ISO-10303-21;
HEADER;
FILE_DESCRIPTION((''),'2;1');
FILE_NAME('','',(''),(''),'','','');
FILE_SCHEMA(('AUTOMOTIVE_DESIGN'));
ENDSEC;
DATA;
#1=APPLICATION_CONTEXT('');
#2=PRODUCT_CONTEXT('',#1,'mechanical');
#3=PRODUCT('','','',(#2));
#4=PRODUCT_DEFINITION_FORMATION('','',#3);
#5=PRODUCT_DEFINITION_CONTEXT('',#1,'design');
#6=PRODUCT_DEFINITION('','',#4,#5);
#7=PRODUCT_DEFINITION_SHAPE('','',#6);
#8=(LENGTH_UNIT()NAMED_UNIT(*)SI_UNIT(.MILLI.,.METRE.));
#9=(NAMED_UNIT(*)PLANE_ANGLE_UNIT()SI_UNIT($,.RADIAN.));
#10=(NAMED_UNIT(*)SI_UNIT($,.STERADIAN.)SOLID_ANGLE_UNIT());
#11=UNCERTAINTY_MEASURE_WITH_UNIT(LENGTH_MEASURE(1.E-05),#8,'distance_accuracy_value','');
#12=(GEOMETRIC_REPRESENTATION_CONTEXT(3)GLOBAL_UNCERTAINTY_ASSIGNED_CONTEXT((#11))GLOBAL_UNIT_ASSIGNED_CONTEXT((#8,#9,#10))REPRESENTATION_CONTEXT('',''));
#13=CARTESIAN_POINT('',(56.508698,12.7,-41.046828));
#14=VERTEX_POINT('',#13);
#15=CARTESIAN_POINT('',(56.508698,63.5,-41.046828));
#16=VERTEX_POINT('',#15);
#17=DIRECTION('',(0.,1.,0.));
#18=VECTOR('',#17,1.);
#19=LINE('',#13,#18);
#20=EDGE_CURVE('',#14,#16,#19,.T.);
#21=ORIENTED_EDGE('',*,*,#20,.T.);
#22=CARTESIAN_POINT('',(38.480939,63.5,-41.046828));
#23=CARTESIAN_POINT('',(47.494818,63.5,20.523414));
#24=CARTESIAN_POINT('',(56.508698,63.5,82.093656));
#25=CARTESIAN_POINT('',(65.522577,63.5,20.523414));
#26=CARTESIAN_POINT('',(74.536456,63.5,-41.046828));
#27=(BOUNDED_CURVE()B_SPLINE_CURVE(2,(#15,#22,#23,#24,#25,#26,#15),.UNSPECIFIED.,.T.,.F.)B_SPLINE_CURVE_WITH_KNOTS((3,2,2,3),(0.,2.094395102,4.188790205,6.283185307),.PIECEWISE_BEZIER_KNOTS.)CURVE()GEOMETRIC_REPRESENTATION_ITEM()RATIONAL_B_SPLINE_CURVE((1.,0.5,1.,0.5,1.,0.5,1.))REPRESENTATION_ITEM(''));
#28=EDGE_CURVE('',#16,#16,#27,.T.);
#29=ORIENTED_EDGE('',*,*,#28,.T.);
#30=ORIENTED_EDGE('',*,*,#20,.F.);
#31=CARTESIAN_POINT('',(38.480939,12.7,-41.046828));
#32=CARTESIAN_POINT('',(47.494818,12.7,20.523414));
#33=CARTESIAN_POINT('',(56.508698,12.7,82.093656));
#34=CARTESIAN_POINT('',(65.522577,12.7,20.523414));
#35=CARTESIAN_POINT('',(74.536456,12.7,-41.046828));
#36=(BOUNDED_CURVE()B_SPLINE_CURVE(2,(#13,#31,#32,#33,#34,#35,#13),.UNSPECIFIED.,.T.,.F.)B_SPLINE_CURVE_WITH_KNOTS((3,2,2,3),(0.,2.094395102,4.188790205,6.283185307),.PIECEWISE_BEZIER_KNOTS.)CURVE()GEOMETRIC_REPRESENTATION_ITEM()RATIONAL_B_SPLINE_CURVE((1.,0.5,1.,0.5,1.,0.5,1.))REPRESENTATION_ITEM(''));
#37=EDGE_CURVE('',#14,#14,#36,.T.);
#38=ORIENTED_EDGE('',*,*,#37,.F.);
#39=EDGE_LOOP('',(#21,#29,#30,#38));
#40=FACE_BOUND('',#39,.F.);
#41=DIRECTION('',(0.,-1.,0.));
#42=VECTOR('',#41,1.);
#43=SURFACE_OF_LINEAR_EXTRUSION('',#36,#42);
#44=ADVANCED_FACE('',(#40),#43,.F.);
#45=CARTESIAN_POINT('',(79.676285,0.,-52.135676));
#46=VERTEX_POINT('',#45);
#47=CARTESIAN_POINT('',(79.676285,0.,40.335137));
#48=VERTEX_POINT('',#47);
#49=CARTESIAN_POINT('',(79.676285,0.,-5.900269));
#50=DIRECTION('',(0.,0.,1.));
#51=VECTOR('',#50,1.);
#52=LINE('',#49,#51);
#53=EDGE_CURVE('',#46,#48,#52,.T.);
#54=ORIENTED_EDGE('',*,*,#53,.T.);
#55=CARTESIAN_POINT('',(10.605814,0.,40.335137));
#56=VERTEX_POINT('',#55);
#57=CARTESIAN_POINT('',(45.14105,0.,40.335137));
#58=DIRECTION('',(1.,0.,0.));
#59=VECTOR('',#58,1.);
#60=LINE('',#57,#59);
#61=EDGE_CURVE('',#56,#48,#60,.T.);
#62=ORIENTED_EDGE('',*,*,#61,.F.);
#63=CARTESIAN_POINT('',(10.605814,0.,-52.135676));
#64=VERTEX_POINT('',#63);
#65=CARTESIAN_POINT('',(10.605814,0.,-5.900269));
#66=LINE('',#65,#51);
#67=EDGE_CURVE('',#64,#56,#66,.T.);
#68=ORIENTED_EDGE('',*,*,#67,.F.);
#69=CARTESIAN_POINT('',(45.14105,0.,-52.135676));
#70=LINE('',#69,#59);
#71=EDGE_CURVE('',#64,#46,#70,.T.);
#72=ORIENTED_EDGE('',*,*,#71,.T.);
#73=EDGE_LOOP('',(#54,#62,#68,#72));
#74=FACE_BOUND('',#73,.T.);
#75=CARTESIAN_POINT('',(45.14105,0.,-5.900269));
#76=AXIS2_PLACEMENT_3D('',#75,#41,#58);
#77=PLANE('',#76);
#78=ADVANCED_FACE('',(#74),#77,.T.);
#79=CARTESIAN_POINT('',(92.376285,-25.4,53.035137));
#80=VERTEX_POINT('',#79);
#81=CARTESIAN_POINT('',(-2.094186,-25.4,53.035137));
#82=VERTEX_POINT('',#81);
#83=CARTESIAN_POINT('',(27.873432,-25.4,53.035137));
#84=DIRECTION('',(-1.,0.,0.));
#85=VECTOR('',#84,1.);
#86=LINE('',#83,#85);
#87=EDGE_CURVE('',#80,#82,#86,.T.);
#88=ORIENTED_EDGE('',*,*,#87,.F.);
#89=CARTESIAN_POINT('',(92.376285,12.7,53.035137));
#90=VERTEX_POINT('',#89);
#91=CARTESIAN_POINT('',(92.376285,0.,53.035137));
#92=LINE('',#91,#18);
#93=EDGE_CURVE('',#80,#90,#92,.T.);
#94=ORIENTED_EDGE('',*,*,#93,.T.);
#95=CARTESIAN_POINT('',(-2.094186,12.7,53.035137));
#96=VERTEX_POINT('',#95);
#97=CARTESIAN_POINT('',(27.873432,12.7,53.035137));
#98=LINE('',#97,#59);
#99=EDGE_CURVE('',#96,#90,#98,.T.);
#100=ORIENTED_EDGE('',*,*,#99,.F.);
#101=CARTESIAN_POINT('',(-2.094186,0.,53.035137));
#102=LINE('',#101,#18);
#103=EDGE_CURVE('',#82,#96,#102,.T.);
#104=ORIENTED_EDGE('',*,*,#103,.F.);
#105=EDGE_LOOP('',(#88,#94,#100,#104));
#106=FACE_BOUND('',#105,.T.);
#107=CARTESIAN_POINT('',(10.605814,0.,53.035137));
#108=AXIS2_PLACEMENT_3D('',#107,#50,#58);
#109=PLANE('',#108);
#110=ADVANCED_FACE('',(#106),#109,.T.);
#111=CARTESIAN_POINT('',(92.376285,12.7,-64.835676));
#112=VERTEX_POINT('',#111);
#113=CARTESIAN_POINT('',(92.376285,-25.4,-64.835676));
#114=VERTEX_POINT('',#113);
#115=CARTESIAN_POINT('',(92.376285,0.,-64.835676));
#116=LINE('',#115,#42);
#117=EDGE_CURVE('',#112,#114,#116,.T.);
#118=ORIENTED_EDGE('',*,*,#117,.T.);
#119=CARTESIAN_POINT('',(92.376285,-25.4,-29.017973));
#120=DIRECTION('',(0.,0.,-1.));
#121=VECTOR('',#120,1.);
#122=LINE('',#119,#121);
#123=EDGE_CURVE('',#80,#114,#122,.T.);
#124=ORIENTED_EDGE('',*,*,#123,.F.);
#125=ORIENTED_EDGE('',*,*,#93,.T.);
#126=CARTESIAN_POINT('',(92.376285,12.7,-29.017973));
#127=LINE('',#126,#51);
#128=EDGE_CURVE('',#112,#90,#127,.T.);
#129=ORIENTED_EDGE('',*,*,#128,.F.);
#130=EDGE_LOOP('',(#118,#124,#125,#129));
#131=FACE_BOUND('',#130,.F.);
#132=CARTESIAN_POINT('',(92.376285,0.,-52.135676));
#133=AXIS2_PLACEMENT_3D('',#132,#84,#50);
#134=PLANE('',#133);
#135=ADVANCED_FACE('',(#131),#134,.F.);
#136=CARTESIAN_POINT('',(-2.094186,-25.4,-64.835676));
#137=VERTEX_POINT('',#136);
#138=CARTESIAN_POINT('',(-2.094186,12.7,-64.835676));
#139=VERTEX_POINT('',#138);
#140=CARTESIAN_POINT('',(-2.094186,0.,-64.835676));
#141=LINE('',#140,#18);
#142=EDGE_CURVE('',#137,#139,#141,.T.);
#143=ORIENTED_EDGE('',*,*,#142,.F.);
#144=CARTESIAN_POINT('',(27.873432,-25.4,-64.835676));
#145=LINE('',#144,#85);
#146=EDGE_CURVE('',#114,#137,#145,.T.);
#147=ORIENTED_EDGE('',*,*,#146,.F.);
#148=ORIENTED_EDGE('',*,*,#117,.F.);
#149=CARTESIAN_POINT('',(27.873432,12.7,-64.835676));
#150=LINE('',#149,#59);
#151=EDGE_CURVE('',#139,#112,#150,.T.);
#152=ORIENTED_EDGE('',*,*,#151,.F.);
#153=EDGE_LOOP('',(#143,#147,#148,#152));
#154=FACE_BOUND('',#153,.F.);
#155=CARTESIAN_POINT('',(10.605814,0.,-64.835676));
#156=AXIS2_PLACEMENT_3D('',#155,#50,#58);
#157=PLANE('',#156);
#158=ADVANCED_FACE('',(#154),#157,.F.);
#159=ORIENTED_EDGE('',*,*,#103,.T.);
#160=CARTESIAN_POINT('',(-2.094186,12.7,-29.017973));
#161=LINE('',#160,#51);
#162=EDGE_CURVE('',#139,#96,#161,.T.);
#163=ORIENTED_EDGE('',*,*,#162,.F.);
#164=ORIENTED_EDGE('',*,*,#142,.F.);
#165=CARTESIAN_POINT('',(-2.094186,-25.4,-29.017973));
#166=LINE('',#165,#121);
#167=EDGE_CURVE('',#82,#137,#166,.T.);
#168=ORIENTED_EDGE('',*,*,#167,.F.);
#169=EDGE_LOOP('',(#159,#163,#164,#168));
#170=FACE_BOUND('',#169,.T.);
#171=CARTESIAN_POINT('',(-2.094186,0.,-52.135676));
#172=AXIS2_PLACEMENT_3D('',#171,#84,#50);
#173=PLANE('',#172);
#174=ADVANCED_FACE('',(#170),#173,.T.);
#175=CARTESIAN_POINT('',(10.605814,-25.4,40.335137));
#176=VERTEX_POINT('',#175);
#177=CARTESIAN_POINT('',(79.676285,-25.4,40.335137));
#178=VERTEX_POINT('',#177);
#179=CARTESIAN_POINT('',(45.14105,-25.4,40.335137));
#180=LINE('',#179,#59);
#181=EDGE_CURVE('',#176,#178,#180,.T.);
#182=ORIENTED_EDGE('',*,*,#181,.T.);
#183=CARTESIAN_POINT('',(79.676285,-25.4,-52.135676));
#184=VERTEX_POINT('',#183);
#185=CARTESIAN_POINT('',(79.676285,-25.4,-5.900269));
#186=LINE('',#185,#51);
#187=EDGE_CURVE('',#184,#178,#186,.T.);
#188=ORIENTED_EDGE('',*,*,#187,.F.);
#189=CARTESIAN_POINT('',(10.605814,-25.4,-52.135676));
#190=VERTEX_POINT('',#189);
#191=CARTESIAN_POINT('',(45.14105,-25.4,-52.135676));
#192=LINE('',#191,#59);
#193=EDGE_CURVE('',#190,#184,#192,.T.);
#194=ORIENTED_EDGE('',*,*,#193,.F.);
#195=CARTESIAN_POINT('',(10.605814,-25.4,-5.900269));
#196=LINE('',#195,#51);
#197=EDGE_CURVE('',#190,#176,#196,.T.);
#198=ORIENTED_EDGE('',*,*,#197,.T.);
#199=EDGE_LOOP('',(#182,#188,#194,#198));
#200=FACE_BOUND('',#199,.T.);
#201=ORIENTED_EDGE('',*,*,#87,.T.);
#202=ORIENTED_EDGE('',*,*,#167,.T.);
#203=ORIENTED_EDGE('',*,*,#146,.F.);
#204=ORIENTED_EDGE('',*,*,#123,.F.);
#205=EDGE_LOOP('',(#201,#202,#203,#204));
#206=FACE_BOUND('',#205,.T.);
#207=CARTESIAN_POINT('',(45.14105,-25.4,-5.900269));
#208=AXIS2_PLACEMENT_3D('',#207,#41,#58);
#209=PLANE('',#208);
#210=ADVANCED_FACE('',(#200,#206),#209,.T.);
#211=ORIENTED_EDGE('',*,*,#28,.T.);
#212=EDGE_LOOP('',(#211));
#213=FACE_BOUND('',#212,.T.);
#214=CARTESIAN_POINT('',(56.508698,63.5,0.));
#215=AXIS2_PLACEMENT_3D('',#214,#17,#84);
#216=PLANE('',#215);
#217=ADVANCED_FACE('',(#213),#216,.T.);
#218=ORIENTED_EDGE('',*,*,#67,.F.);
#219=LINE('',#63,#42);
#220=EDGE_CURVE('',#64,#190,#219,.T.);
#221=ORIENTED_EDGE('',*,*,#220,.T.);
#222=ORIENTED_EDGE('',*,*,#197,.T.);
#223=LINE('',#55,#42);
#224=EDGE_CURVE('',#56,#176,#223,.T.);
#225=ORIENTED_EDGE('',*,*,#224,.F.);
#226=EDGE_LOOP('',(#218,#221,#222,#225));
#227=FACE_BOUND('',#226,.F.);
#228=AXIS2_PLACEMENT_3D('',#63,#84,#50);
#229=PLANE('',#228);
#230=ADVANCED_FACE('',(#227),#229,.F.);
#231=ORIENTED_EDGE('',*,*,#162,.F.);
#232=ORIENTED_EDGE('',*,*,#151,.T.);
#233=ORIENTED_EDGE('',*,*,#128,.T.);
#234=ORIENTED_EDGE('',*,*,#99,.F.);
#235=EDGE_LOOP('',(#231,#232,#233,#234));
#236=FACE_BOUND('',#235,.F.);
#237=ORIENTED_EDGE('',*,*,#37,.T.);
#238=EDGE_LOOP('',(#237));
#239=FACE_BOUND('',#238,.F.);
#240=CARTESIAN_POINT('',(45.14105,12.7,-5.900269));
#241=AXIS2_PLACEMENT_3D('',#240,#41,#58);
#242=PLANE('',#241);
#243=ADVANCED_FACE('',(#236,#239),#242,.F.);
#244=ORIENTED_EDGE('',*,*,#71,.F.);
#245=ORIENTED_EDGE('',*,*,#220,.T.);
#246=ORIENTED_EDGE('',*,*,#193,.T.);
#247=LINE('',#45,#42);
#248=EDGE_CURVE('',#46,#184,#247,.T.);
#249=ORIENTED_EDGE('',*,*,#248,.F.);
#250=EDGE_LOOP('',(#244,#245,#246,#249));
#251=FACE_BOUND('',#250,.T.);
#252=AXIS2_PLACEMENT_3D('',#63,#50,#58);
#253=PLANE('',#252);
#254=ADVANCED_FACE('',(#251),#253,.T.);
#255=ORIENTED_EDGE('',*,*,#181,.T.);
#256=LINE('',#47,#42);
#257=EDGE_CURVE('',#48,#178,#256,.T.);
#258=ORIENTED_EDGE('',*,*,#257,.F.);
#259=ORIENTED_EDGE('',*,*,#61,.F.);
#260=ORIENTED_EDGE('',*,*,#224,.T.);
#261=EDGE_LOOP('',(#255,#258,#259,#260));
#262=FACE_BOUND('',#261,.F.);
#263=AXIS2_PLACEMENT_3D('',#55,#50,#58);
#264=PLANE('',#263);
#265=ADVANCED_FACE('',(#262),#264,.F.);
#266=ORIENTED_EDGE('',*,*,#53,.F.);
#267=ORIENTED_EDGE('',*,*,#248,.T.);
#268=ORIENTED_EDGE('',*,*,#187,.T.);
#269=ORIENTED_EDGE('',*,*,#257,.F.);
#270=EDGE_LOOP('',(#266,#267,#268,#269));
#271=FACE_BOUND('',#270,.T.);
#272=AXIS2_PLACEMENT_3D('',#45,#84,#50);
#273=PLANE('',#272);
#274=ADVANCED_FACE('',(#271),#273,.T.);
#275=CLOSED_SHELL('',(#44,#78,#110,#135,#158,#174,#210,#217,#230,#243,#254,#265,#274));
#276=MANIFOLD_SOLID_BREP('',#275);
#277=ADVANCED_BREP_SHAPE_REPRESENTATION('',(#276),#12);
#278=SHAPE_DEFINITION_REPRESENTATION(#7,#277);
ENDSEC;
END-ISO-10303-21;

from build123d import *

# Parameters (mm, degrees)
F0_W     = 69.0704714507
F0_H     = 92.4708135426
F1_DEPTH = 25.4
F2_T     = 12.7
F5_DEPTH = 50.8


with BuildPart() as f1:
    # F0 (on Front) → F1 (new body)
    with BuildSketch(Plane.XZ):
        with Locations((45.1410496607, -5.9002693743)):
            Rectangle(F0_W, F0_H)
    extrude(amount=F1_DEPTH)

    # F2
    f2_openings = [f1.faces().sort_by_distance(p)[0] for p in [
        (45.14105, -25.4, -5.900269),
    ]]
    offset(amount=F2_T, openings=f2_openings, kind=Kind.INTERSECTION)

    # F4 (on face) → F5 (join)
    with BuildSketch(Plane(origin=(0, 12.7, 0), x_dir=(-1, 0, 0), z_dir=(0, 1, 0))):
        with BuildLine():
            add(Edge.make_bspline(
                [(-56.5086975694, -41.0468280315), (-38.4809391547, -41.0468280315), (-47.494818362, 20.5234140158), (-56.5086975694, 82.0936560631), (-65.5225767767, 20.5234140158), (-74.5364559841, -41.0468280315), (-56.5086975694, -41.0468280315)],
                knots=[0, 0, 0, 2.0943951024, 2.0943951024, 4.1887902048, 4.1887902048, 6.2831853072, 6.2831853072, 6.2831853072], degree=2, weights=[1, 0.5, 1, 0.5, 1, 0.5, 1]))
        make_face()
    extrude(amount=F5_DEPTH)


solid = f1.part
